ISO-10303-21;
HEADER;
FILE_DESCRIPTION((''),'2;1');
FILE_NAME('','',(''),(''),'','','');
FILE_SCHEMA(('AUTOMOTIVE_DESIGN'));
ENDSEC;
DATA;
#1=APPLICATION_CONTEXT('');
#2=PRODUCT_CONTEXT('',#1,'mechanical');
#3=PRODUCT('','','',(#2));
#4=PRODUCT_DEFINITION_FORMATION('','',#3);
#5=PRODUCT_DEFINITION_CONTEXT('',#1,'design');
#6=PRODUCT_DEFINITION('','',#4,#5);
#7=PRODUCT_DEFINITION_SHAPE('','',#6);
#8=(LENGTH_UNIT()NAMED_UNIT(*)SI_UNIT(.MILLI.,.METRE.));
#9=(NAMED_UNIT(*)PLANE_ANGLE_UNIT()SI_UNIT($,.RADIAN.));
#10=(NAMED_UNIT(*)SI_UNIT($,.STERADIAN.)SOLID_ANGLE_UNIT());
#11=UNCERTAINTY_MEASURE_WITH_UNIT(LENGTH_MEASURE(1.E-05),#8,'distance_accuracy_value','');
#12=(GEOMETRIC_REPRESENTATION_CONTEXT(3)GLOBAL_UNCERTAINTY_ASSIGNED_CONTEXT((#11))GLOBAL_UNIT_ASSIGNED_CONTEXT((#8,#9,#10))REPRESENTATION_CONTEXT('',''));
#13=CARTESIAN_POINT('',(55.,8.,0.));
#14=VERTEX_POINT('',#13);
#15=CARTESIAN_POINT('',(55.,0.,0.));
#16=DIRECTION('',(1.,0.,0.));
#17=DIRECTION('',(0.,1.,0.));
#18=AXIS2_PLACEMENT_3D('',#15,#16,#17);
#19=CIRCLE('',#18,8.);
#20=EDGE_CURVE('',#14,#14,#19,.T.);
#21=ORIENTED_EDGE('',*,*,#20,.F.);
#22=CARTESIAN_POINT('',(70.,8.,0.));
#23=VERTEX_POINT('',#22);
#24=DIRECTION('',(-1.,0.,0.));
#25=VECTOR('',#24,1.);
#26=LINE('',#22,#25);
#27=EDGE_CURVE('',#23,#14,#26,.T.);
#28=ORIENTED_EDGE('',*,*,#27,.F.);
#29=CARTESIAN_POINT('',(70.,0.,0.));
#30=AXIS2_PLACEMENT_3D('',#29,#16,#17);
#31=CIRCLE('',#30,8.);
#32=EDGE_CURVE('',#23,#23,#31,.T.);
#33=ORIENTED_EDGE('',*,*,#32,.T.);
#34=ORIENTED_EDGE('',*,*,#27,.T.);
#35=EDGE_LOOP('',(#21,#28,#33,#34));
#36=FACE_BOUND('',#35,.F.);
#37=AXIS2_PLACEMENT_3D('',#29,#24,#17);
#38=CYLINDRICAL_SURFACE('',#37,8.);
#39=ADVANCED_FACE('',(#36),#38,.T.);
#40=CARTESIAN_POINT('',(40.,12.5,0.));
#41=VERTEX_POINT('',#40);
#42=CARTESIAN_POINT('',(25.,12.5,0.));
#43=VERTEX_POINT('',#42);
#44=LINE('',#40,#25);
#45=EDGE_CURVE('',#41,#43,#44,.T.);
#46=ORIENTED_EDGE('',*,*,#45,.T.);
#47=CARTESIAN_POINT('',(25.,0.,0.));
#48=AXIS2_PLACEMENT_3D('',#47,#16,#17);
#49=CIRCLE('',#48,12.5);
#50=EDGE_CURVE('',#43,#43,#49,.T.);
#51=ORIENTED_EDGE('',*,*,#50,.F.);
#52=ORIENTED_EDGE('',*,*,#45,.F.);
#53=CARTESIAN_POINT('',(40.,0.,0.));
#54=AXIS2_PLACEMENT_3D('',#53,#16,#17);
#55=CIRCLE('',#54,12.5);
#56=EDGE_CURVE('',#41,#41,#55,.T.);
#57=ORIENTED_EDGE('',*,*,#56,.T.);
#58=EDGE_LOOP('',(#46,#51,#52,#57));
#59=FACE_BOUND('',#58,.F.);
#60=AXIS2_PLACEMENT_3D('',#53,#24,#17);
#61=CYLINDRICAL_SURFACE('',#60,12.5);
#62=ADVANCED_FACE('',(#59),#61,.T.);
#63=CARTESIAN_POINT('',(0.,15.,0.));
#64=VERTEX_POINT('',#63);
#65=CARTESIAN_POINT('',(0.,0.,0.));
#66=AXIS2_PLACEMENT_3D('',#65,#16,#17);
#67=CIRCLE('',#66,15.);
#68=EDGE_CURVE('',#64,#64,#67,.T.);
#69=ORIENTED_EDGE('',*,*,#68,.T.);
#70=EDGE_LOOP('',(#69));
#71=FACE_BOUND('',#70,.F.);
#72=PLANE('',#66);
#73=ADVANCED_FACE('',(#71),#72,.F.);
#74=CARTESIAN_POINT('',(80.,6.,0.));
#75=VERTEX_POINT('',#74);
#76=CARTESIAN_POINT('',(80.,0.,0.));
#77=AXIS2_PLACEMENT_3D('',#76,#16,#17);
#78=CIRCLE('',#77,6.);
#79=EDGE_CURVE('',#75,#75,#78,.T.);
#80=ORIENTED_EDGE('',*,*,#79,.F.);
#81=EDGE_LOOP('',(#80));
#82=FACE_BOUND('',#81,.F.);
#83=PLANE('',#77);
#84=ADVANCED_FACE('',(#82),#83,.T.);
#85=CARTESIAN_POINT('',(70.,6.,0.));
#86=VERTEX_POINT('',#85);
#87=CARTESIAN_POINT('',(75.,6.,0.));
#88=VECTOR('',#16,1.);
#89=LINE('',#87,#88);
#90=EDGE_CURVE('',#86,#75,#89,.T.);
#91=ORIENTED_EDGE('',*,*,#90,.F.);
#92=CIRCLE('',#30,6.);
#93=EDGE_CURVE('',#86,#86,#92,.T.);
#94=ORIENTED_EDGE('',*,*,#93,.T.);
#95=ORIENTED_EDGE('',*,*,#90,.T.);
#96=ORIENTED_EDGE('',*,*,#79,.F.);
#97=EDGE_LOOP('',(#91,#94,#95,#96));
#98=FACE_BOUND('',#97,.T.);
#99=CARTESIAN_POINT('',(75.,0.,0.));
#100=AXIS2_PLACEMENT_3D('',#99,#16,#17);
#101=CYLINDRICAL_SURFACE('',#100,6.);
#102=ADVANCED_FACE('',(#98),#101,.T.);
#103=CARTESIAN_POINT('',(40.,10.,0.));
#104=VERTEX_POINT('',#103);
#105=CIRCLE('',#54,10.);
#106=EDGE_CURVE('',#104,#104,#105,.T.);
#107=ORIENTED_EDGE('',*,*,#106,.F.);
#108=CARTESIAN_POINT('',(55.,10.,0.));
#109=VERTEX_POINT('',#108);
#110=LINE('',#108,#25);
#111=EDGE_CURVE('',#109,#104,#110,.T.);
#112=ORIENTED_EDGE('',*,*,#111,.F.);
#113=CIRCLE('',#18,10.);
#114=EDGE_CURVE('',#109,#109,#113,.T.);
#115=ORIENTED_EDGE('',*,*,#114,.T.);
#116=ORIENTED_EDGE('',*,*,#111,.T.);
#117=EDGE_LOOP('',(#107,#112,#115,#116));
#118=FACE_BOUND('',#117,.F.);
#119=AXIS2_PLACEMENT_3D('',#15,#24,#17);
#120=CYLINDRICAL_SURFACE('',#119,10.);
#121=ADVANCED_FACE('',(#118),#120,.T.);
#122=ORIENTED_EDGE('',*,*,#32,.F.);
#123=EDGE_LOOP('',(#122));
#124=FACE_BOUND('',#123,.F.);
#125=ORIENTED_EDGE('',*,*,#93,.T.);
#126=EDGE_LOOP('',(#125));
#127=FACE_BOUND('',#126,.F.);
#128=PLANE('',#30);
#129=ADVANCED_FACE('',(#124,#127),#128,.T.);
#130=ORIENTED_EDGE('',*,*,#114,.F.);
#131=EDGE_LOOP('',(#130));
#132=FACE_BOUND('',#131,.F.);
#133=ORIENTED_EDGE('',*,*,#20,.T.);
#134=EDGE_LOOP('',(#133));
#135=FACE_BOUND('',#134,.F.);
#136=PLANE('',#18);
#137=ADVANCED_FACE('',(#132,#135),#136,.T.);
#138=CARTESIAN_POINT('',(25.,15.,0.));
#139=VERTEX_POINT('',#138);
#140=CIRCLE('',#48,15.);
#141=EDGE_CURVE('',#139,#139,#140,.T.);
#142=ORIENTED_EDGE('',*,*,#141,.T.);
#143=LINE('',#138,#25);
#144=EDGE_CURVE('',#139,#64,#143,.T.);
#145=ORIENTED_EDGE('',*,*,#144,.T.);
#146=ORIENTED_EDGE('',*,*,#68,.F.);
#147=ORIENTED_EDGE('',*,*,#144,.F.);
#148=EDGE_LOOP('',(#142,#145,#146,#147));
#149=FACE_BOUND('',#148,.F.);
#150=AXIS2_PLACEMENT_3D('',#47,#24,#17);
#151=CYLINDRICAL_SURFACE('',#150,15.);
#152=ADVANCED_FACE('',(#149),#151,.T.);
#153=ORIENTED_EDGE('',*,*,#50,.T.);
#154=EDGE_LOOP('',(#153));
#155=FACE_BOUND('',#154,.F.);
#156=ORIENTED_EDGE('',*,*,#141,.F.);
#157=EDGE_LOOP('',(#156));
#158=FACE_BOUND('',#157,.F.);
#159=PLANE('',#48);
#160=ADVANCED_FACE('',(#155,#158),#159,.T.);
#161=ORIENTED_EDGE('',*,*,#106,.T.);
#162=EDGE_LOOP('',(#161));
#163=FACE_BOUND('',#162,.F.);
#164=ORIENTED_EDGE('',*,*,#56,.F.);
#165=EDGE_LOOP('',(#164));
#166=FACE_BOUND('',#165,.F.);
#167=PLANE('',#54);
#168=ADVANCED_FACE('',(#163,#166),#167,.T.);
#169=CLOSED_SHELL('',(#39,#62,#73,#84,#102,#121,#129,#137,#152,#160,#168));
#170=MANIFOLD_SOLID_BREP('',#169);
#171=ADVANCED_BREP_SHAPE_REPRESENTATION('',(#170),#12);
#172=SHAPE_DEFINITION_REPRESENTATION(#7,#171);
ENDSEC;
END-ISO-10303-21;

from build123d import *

# Parameters (mm, degrees)
F0_W = 10
F0_H = 6


with BuildPart() as f1:
    # F0 (on Top) → F1 (revolve)
    with BuildSketch(Plane.XY):
        Polygon((0, 0), (25, 0), (25, 12.5), (25, 15), (0, 15), align=None)
        Polygon((25, 0), (40, 0), (40, 10), (40, 12.5), (25, 12.5), align=None)
        Polygon((40, 0), (55, 0), (55, 8), (55, 10), (40, 10), align=None)
        Polygon((55, 0), (70, 0), (70, 6), (70, 8), (55, 8), align=None)
        with Locations((75, 3)):
            Rectangle(F0_W, F0_H)
    revolve(axis=Axis((32.5, 0, 0), (1, 0, 0)))


solid = f1.part
